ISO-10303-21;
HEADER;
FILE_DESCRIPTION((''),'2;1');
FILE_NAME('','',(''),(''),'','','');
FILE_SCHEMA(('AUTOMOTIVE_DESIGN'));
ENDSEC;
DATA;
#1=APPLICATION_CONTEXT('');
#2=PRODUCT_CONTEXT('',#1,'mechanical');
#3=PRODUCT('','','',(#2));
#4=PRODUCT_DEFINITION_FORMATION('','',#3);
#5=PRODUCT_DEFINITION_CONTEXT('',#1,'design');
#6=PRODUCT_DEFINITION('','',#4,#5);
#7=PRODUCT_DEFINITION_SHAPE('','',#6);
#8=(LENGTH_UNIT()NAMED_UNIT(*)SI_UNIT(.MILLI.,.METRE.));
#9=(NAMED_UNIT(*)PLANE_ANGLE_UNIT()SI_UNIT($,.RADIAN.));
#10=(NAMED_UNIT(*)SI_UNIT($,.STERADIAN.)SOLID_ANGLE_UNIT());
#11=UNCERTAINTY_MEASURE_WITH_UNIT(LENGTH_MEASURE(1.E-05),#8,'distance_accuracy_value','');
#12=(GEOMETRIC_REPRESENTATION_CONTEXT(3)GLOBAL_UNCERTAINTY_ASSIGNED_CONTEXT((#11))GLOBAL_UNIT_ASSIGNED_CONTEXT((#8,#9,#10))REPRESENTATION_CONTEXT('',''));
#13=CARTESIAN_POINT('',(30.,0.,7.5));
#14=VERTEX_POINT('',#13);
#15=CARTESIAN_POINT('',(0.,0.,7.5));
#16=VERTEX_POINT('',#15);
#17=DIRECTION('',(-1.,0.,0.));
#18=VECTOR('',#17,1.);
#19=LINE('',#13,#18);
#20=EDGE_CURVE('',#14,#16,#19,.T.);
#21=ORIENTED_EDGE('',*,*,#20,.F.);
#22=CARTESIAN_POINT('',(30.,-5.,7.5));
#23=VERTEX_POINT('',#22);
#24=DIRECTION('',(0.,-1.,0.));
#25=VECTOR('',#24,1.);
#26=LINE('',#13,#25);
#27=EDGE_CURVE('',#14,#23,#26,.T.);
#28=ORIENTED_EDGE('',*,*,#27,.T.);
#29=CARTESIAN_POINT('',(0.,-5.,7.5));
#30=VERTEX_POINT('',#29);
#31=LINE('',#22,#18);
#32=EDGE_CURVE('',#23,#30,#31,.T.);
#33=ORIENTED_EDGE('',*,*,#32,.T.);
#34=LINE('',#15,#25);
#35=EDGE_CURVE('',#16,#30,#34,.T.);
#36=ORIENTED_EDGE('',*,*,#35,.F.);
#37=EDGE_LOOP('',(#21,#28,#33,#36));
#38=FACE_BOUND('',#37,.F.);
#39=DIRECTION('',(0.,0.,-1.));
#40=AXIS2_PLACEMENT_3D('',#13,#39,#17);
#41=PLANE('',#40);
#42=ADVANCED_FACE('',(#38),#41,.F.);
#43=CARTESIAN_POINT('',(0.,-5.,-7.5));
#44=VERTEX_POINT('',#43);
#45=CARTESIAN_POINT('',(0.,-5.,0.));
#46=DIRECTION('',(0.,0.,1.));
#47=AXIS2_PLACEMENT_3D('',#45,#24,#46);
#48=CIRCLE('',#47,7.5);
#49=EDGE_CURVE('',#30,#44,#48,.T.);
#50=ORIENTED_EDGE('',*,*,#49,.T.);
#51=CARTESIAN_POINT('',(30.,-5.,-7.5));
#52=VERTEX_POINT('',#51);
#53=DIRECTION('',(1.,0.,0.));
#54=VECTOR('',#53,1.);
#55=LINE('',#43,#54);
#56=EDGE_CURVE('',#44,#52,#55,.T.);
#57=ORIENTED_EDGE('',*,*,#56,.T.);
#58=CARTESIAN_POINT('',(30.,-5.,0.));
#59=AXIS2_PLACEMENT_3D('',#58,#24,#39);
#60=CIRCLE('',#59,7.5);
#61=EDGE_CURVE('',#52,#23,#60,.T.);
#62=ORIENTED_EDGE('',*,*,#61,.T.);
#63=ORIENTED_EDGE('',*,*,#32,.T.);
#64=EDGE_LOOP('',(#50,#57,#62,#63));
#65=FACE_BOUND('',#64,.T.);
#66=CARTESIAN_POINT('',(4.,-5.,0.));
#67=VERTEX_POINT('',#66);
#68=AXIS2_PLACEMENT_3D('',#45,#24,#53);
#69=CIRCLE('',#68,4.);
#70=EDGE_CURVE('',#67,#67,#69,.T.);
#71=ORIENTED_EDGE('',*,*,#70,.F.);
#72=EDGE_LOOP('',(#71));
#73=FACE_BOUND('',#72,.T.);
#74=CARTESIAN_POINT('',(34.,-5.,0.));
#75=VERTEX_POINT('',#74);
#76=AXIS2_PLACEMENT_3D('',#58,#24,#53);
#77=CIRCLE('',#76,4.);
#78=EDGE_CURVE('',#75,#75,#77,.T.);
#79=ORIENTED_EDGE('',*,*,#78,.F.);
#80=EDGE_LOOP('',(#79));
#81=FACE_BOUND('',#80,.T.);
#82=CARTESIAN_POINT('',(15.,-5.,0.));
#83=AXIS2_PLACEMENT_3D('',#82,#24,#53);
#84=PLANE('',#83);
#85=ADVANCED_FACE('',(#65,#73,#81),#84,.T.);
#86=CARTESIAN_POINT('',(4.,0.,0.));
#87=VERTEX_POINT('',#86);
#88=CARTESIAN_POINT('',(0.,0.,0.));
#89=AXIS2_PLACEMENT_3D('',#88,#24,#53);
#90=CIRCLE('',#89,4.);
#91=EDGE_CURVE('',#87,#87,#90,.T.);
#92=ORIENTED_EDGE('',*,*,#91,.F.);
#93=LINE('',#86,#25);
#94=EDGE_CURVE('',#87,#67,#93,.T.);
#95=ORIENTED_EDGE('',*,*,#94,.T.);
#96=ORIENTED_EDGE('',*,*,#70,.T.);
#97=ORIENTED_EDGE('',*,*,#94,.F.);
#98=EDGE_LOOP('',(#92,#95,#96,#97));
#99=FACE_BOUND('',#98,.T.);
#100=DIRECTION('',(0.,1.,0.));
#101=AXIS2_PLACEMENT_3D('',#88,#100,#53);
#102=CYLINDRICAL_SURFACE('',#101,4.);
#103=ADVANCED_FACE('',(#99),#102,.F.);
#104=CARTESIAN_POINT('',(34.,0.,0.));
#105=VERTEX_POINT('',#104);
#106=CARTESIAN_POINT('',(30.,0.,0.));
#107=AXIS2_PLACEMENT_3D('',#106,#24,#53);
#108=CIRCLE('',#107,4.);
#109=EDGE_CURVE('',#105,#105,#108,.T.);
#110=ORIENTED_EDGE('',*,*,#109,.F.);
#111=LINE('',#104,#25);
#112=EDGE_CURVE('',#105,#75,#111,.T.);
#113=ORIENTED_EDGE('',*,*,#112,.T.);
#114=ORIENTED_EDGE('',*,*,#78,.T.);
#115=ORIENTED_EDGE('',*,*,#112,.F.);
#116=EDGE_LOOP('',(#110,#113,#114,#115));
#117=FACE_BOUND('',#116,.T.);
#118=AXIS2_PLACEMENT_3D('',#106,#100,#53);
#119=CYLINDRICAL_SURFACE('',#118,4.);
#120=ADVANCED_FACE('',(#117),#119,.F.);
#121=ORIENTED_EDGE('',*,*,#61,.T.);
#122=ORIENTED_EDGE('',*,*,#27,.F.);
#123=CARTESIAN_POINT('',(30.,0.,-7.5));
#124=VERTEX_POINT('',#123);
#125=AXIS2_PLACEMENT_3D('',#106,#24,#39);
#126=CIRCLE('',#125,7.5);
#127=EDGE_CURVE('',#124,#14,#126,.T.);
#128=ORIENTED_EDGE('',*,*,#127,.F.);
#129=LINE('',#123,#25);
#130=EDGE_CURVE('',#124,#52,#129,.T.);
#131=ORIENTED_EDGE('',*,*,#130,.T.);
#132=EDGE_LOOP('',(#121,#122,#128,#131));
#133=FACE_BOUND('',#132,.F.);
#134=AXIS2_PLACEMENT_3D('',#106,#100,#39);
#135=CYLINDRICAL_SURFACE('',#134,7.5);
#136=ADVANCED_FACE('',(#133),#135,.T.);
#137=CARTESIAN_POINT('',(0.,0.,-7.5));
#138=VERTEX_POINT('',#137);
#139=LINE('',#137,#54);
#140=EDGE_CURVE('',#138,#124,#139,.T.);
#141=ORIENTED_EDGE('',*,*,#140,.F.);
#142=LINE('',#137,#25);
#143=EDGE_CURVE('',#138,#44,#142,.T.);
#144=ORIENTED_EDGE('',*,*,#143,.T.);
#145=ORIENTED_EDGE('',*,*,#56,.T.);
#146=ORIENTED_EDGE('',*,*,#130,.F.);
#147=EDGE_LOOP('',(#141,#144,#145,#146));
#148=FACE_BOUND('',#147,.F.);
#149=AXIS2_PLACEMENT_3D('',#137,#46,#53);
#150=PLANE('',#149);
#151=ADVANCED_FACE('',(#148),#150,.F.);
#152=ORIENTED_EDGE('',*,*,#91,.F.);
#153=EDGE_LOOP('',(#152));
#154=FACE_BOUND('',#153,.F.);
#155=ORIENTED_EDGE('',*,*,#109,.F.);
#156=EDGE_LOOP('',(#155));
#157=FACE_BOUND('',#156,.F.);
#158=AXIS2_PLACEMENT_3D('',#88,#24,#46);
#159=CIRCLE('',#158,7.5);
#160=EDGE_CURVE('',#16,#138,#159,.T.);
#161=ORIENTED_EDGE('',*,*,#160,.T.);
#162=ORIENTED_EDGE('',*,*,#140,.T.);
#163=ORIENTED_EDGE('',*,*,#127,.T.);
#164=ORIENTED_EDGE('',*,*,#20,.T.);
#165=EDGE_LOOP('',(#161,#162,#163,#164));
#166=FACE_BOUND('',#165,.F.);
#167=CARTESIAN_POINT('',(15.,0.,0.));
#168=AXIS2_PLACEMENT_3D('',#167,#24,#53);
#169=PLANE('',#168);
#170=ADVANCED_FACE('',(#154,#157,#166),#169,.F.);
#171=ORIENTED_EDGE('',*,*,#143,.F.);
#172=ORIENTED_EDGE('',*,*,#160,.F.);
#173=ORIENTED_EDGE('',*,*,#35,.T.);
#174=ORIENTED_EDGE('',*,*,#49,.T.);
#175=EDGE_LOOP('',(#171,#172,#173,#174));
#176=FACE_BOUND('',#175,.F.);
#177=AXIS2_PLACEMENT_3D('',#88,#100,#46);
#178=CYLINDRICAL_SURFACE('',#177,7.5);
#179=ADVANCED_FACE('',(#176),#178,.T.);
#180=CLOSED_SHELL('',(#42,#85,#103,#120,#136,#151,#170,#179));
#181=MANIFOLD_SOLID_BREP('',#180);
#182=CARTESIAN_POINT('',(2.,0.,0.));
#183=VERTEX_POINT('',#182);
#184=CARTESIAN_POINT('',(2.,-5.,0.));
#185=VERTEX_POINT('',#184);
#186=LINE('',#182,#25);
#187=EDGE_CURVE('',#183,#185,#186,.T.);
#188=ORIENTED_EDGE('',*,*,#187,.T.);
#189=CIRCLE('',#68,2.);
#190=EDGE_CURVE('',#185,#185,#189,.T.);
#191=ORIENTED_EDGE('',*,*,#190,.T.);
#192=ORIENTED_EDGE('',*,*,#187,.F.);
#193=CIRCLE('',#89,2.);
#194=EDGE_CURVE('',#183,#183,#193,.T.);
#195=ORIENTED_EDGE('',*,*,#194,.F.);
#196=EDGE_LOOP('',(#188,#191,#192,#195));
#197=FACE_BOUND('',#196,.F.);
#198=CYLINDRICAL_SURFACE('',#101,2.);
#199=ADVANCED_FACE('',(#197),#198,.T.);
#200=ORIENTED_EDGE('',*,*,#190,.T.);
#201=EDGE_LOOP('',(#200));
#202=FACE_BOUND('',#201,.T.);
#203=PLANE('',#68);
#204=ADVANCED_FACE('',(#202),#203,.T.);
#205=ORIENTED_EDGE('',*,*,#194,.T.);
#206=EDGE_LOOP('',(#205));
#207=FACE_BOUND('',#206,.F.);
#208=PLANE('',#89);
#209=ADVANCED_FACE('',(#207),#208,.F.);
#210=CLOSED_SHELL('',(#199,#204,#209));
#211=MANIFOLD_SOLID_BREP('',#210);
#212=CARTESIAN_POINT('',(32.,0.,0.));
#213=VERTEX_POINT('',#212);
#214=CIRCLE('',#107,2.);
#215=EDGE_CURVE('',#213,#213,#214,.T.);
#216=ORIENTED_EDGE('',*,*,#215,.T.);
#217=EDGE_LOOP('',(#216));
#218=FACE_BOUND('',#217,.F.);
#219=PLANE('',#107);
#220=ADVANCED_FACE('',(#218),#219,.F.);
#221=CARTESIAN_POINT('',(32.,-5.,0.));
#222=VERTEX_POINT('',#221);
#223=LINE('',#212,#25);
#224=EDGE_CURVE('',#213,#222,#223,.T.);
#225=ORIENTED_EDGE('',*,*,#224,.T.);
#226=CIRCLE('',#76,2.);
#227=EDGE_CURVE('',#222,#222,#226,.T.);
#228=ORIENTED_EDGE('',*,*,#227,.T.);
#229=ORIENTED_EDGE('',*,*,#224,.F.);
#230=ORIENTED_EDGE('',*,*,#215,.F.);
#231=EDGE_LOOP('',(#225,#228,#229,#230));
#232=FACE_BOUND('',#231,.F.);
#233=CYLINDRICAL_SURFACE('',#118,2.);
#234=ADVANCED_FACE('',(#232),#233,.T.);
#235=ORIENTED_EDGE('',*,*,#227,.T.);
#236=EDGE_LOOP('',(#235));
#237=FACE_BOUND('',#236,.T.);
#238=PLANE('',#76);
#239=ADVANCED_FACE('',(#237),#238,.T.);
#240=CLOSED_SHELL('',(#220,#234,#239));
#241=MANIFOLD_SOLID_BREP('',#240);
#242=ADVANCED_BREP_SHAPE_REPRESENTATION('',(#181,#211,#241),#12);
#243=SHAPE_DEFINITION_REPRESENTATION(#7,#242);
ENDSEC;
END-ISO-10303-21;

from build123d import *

# Parameters (mm, degrees)
F0_R     = 2
F1_DEPTH = 5
F0_R_2   = 4


with BuildPart() as f1:
    # F0 (on Front) → F1 (new body)
    with BuildSketch(Plane.XZ):
        Circle(F0_R)
    extrude(amount=F1_DEPTH)


with BuildPart() as f1b:
    # F0 (on Front) → F1, piece 2 (new body)
    with BuildSketch(Plane.XZ):
        with Locations((30, 0)):
            Circle(F0_R)
    extrude(amount=F1_DEPTH)


with BuildPart() as f1c:
    # F0 (on Front) → F1, piece 3 (new body)
    with BuildSketch(Plane.XZ):
        with BuildLine():
            Line((30, 7.5), (0, 7.5))
            ThreePointArc((0, 7.5), (-7.5, 0), (0, -7.5))
            Line((0, -7.5), (30, -7.5))
            ThreePointArc((30, -7.5), (37.5, 0), (30, 7.5))
        make_face()
        Circle(F0_R_2, mode=Mode.SUBTRACT)
        with Locations((30, 0)):
            Circle(F0_R_2, mode=Mode.SUBTRACT)
    extrude(amount=F1_DEPTH)


solid = Compound([f1.part, f1b.part, f1c.part])
